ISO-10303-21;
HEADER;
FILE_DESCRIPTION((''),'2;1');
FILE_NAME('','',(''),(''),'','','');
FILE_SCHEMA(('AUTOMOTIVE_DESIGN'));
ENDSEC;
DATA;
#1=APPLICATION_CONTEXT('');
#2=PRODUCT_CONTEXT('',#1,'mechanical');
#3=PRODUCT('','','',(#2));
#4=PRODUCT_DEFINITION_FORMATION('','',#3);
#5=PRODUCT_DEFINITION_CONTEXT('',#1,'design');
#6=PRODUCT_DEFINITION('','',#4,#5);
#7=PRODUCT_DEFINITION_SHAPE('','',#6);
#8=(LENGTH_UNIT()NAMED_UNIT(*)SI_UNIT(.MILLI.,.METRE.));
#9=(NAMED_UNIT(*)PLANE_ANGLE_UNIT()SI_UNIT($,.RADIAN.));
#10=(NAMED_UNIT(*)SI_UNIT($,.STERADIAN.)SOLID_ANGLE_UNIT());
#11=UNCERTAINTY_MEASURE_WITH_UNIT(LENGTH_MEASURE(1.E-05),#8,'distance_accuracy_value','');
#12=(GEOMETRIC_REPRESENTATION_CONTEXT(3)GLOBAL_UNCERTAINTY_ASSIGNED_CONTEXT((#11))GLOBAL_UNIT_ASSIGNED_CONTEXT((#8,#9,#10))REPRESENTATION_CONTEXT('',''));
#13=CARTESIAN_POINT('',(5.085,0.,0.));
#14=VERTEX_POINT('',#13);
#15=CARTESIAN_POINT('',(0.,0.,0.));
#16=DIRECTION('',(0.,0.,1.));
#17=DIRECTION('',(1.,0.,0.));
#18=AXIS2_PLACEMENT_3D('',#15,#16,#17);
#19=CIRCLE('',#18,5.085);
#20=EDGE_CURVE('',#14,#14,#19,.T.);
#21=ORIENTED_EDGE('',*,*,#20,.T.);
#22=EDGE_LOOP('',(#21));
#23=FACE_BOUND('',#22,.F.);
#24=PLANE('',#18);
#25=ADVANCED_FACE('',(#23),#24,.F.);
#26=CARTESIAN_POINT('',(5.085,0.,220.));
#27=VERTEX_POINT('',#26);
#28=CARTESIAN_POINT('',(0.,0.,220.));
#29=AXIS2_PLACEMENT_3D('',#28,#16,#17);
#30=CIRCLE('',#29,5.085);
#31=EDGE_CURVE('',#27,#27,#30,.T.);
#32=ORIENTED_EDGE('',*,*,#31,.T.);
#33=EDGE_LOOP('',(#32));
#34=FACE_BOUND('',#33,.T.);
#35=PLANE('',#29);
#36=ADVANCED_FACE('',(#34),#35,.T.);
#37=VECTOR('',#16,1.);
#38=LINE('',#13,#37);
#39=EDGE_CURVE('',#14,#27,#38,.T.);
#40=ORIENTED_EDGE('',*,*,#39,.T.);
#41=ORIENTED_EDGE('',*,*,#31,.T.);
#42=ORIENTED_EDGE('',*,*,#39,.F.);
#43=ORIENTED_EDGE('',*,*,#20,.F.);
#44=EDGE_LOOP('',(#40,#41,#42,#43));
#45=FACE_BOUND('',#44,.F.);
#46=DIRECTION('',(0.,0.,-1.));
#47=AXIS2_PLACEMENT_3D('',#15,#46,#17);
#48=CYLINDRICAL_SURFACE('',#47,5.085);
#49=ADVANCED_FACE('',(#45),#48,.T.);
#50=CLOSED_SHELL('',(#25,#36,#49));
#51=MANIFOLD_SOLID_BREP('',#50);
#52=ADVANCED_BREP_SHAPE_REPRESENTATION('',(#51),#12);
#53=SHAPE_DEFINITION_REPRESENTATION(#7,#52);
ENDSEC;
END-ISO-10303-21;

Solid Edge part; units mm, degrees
sketch "Sketch1" plane through (0, 0, 0) normal (0, 0, 1) x (1, 0, 0)
  circle A0 centre (0, 0) radius 5.085
extrude "Protrusion1" add sketch "Sketch1" along normal blind 220
